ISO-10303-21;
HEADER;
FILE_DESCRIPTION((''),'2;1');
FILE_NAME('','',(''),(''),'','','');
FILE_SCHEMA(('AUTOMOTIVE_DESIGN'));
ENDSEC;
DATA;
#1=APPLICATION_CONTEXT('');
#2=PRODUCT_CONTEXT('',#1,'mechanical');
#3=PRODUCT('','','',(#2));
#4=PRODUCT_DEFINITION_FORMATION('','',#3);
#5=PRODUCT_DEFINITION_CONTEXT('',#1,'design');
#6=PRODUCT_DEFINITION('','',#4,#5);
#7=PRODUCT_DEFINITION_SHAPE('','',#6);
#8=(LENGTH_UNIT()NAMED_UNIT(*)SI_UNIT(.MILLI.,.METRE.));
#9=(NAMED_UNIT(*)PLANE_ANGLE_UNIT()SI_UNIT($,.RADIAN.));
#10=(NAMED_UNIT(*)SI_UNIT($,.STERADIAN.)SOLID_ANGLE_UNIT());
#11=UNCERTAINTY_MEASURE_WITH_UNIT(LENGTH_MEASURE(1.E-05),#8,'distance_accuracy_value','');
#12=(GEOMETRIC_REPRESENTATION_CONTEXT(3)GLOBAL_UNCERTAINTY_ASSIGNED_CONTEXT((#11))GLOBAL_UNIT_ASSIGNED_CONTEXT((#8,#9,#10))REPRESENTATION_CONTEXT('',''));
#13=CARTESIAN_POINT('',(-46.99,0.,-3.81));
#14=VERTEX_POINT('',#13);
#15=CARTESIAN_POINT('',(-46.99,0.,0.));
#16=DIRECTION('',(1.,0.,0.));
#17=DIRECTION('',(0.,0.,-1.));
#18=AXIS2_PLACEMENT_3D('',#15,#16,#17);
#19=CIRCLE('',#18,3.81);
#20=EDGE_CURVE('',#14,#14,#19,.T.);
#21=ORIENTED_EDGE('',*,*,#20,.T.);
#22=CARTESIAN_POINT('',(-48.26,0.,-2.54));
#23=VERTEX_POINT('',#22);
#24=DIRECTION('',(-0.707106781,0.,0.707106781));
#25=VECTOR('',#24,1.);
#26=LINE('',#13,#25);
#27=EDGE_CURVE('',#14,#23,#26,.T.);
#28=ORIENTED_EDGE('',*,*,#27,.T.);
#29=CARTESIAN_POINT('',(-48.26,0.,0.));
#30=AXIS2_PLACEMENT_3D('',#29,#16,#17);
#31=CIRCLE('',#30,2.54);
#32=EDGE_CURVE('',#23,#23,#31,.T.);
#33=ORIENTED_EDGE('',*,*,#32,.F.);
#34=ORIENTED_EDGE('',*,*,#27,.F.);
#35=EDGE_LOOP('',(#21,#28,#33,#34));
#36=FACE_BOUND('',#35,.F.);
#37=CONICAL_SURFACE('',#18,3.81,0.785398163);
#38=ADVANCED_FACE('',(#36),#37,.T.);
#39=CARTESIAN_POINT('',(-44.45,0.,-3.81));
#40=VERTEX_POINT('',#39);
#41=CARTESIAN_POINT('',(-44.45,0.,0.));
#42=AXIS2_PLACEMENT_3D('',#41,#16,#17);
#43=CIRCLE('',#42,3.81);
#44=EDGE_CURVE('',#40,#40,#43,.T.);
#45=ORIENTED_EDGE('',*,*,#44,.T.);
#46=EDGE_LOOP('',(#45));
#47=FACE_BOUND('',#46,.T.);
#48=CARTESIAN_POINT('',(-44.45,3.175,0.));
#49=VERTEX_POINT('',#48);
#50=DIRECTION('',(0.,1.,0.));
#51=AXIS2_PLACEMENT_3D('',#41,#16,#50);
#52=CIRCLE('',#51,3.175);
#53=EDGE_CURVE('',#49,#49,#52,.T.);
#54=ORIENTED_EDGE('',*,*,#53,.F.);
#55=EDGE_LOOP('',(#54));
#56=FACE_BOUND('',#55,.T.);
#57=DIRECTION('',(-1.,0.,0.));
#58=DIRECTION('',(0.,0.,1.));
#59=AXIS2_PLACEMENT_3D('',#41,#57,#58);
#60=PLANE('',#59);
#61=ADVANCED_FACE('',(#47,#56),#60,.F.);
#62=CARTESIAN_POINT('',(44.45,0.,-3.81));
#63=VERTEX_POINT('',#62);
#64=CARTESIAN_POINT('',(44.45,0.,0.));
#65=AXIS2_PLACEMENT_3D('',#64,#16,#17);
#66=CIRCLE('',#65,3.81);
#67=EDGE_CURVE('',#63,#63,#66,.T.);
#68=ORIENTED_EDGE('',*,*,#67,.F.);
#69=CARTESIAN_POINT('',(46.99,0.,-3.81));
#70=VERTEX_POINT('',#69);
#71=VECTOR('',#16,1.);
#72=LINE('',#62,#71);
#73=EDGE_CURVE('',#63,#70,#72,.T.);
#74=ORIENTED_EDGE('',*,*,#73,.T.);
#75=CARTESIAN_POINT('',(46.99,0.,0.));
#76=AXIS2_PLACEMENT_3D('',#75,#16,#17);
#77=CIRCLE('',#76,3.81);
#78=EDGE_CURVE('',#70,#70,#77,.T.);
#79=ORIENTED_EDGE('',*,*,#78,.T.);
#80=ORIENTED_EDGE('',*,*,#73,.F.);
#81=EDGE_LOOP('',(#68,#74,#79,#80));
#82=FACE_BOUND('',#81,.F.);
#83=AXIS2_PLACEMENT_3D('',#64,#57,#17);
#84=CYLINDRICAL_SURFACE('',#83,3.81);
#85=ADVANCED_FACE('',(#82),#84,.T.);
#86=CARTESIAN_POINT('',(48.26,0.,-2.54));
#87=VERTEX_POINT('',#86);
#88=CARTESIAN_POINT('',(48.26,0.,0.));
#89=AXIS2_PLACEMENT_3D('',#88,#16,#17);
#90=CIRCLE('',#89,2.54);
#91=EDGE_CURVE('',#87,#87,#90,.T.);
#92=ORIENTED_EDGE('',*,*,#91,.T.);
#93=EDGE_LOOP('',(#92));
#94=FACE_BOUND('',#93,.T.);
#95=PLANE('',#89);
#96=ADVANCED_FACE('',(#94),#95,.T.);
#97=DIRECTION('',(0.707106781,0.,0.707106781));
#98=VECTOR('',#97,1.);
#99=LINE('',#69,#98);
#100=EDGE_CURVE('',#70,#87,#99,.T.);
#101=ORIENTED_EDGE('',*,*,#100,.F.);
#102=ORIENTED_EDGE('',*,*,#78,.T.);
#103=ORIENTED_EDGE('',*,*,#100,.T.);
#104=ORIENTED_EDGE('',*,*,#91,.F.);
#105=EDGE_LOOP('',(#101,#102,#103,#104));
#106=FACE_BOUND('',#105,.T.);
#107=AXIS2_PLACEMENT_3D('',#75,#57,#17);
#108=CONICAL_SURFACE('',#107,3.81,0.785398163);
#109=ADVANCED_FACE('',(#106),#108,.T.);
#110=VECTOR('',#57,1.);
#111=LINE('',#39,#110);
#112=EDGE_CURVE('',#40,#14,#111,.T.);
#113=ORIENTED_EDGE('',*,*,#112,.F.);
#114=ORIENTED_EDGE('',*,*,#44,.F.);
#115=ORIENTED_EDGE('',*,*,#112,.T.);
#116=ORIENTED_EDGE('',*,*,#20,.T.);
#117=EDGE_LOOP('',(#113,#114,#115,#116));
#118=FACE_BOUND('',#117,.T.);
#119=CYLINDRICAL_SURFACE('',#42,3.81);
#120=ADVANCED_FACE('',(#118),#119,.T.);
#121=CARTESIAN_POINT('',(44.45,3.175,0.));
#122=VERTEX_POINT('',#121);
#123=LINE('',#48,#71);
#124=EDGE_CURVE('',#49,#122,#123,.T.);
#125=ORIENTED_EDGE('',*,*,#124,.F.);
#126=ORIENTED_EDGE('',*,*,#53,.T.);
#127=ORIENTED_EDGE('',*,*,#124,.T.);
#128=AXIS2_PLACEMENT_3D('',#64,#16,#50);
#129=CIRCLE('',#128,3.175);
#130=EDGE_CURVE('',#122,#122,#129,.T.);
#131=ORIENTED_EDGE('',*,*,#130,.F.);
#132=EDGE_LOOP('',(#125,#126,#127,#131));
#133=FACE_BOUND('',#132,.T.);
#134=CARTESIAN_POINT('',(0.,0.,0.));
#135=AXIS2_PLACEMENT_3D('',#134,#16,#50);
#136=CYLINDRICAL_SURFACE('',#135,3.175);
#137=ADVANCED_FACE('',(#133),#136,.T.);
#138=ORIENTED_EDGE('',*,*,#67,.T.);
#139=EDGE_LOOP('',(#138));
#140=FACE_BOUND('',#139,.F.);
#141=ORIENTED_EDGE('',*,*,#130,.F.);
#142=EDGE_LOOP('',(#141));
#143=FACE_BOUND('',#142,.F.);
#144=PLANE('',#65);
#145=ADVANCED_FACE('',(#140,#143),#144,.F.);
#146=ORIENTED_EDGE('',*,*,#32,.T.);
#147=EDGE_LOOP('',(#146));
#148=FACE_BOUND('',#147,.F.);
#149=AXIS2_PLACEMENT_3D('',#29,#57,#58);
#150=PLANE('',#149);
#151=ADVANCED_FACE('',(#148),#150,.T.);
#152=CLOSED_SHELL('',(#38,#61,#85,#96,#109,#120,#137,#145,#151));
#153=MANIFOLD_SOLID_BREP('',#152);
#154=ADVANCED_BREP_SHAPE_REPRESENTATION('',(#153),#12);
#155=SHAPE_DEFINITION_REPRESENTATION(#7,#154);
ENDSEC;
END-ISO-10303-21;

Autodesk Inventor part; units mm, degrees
ref_plane "YZ Plane" through (0, 0, 0) normal (1, 0, 0) x (0, 1, 0)
ref_plane "XZ Plane" through (0, 0, 0) normal (0, 1, 0) x (-1, 0, 0)
ref_plane "XY Plane" through (0, 0, 0) normal (0, 0, 1) x (1, 0, 0)
sketch "Sketch1" plane through (0, 0, 0) normal (1, 0, 0) x (0, 1, 0)
  circle A0 centre (0, 0) radius 3.175
  dimension "d0" = 6.35
extrude "Extrusion1" add sketch "Sketch1" along normal mid plane 88.9
sketch "Sketch2" plane through (44.45, 0, 0) normal (1, 0, 0) x (0, 0, -1)
  circle A0 centre (0, 0) radius 3.81
  dimension "d3" = 7.62
extrude "Extrusion2" add sketch "Sketch2" along normal blind 3.81
chamfer "Chamfer1" distance 1.27 angle 45 1 edges at (48.26, 0, 3.81)
mirror "Mirror1" about plane through (0, 0, 0) normal (1, 0, 0) of "Extrusion2", "Chamfer1"
properties part number "PivetRob(H)"
